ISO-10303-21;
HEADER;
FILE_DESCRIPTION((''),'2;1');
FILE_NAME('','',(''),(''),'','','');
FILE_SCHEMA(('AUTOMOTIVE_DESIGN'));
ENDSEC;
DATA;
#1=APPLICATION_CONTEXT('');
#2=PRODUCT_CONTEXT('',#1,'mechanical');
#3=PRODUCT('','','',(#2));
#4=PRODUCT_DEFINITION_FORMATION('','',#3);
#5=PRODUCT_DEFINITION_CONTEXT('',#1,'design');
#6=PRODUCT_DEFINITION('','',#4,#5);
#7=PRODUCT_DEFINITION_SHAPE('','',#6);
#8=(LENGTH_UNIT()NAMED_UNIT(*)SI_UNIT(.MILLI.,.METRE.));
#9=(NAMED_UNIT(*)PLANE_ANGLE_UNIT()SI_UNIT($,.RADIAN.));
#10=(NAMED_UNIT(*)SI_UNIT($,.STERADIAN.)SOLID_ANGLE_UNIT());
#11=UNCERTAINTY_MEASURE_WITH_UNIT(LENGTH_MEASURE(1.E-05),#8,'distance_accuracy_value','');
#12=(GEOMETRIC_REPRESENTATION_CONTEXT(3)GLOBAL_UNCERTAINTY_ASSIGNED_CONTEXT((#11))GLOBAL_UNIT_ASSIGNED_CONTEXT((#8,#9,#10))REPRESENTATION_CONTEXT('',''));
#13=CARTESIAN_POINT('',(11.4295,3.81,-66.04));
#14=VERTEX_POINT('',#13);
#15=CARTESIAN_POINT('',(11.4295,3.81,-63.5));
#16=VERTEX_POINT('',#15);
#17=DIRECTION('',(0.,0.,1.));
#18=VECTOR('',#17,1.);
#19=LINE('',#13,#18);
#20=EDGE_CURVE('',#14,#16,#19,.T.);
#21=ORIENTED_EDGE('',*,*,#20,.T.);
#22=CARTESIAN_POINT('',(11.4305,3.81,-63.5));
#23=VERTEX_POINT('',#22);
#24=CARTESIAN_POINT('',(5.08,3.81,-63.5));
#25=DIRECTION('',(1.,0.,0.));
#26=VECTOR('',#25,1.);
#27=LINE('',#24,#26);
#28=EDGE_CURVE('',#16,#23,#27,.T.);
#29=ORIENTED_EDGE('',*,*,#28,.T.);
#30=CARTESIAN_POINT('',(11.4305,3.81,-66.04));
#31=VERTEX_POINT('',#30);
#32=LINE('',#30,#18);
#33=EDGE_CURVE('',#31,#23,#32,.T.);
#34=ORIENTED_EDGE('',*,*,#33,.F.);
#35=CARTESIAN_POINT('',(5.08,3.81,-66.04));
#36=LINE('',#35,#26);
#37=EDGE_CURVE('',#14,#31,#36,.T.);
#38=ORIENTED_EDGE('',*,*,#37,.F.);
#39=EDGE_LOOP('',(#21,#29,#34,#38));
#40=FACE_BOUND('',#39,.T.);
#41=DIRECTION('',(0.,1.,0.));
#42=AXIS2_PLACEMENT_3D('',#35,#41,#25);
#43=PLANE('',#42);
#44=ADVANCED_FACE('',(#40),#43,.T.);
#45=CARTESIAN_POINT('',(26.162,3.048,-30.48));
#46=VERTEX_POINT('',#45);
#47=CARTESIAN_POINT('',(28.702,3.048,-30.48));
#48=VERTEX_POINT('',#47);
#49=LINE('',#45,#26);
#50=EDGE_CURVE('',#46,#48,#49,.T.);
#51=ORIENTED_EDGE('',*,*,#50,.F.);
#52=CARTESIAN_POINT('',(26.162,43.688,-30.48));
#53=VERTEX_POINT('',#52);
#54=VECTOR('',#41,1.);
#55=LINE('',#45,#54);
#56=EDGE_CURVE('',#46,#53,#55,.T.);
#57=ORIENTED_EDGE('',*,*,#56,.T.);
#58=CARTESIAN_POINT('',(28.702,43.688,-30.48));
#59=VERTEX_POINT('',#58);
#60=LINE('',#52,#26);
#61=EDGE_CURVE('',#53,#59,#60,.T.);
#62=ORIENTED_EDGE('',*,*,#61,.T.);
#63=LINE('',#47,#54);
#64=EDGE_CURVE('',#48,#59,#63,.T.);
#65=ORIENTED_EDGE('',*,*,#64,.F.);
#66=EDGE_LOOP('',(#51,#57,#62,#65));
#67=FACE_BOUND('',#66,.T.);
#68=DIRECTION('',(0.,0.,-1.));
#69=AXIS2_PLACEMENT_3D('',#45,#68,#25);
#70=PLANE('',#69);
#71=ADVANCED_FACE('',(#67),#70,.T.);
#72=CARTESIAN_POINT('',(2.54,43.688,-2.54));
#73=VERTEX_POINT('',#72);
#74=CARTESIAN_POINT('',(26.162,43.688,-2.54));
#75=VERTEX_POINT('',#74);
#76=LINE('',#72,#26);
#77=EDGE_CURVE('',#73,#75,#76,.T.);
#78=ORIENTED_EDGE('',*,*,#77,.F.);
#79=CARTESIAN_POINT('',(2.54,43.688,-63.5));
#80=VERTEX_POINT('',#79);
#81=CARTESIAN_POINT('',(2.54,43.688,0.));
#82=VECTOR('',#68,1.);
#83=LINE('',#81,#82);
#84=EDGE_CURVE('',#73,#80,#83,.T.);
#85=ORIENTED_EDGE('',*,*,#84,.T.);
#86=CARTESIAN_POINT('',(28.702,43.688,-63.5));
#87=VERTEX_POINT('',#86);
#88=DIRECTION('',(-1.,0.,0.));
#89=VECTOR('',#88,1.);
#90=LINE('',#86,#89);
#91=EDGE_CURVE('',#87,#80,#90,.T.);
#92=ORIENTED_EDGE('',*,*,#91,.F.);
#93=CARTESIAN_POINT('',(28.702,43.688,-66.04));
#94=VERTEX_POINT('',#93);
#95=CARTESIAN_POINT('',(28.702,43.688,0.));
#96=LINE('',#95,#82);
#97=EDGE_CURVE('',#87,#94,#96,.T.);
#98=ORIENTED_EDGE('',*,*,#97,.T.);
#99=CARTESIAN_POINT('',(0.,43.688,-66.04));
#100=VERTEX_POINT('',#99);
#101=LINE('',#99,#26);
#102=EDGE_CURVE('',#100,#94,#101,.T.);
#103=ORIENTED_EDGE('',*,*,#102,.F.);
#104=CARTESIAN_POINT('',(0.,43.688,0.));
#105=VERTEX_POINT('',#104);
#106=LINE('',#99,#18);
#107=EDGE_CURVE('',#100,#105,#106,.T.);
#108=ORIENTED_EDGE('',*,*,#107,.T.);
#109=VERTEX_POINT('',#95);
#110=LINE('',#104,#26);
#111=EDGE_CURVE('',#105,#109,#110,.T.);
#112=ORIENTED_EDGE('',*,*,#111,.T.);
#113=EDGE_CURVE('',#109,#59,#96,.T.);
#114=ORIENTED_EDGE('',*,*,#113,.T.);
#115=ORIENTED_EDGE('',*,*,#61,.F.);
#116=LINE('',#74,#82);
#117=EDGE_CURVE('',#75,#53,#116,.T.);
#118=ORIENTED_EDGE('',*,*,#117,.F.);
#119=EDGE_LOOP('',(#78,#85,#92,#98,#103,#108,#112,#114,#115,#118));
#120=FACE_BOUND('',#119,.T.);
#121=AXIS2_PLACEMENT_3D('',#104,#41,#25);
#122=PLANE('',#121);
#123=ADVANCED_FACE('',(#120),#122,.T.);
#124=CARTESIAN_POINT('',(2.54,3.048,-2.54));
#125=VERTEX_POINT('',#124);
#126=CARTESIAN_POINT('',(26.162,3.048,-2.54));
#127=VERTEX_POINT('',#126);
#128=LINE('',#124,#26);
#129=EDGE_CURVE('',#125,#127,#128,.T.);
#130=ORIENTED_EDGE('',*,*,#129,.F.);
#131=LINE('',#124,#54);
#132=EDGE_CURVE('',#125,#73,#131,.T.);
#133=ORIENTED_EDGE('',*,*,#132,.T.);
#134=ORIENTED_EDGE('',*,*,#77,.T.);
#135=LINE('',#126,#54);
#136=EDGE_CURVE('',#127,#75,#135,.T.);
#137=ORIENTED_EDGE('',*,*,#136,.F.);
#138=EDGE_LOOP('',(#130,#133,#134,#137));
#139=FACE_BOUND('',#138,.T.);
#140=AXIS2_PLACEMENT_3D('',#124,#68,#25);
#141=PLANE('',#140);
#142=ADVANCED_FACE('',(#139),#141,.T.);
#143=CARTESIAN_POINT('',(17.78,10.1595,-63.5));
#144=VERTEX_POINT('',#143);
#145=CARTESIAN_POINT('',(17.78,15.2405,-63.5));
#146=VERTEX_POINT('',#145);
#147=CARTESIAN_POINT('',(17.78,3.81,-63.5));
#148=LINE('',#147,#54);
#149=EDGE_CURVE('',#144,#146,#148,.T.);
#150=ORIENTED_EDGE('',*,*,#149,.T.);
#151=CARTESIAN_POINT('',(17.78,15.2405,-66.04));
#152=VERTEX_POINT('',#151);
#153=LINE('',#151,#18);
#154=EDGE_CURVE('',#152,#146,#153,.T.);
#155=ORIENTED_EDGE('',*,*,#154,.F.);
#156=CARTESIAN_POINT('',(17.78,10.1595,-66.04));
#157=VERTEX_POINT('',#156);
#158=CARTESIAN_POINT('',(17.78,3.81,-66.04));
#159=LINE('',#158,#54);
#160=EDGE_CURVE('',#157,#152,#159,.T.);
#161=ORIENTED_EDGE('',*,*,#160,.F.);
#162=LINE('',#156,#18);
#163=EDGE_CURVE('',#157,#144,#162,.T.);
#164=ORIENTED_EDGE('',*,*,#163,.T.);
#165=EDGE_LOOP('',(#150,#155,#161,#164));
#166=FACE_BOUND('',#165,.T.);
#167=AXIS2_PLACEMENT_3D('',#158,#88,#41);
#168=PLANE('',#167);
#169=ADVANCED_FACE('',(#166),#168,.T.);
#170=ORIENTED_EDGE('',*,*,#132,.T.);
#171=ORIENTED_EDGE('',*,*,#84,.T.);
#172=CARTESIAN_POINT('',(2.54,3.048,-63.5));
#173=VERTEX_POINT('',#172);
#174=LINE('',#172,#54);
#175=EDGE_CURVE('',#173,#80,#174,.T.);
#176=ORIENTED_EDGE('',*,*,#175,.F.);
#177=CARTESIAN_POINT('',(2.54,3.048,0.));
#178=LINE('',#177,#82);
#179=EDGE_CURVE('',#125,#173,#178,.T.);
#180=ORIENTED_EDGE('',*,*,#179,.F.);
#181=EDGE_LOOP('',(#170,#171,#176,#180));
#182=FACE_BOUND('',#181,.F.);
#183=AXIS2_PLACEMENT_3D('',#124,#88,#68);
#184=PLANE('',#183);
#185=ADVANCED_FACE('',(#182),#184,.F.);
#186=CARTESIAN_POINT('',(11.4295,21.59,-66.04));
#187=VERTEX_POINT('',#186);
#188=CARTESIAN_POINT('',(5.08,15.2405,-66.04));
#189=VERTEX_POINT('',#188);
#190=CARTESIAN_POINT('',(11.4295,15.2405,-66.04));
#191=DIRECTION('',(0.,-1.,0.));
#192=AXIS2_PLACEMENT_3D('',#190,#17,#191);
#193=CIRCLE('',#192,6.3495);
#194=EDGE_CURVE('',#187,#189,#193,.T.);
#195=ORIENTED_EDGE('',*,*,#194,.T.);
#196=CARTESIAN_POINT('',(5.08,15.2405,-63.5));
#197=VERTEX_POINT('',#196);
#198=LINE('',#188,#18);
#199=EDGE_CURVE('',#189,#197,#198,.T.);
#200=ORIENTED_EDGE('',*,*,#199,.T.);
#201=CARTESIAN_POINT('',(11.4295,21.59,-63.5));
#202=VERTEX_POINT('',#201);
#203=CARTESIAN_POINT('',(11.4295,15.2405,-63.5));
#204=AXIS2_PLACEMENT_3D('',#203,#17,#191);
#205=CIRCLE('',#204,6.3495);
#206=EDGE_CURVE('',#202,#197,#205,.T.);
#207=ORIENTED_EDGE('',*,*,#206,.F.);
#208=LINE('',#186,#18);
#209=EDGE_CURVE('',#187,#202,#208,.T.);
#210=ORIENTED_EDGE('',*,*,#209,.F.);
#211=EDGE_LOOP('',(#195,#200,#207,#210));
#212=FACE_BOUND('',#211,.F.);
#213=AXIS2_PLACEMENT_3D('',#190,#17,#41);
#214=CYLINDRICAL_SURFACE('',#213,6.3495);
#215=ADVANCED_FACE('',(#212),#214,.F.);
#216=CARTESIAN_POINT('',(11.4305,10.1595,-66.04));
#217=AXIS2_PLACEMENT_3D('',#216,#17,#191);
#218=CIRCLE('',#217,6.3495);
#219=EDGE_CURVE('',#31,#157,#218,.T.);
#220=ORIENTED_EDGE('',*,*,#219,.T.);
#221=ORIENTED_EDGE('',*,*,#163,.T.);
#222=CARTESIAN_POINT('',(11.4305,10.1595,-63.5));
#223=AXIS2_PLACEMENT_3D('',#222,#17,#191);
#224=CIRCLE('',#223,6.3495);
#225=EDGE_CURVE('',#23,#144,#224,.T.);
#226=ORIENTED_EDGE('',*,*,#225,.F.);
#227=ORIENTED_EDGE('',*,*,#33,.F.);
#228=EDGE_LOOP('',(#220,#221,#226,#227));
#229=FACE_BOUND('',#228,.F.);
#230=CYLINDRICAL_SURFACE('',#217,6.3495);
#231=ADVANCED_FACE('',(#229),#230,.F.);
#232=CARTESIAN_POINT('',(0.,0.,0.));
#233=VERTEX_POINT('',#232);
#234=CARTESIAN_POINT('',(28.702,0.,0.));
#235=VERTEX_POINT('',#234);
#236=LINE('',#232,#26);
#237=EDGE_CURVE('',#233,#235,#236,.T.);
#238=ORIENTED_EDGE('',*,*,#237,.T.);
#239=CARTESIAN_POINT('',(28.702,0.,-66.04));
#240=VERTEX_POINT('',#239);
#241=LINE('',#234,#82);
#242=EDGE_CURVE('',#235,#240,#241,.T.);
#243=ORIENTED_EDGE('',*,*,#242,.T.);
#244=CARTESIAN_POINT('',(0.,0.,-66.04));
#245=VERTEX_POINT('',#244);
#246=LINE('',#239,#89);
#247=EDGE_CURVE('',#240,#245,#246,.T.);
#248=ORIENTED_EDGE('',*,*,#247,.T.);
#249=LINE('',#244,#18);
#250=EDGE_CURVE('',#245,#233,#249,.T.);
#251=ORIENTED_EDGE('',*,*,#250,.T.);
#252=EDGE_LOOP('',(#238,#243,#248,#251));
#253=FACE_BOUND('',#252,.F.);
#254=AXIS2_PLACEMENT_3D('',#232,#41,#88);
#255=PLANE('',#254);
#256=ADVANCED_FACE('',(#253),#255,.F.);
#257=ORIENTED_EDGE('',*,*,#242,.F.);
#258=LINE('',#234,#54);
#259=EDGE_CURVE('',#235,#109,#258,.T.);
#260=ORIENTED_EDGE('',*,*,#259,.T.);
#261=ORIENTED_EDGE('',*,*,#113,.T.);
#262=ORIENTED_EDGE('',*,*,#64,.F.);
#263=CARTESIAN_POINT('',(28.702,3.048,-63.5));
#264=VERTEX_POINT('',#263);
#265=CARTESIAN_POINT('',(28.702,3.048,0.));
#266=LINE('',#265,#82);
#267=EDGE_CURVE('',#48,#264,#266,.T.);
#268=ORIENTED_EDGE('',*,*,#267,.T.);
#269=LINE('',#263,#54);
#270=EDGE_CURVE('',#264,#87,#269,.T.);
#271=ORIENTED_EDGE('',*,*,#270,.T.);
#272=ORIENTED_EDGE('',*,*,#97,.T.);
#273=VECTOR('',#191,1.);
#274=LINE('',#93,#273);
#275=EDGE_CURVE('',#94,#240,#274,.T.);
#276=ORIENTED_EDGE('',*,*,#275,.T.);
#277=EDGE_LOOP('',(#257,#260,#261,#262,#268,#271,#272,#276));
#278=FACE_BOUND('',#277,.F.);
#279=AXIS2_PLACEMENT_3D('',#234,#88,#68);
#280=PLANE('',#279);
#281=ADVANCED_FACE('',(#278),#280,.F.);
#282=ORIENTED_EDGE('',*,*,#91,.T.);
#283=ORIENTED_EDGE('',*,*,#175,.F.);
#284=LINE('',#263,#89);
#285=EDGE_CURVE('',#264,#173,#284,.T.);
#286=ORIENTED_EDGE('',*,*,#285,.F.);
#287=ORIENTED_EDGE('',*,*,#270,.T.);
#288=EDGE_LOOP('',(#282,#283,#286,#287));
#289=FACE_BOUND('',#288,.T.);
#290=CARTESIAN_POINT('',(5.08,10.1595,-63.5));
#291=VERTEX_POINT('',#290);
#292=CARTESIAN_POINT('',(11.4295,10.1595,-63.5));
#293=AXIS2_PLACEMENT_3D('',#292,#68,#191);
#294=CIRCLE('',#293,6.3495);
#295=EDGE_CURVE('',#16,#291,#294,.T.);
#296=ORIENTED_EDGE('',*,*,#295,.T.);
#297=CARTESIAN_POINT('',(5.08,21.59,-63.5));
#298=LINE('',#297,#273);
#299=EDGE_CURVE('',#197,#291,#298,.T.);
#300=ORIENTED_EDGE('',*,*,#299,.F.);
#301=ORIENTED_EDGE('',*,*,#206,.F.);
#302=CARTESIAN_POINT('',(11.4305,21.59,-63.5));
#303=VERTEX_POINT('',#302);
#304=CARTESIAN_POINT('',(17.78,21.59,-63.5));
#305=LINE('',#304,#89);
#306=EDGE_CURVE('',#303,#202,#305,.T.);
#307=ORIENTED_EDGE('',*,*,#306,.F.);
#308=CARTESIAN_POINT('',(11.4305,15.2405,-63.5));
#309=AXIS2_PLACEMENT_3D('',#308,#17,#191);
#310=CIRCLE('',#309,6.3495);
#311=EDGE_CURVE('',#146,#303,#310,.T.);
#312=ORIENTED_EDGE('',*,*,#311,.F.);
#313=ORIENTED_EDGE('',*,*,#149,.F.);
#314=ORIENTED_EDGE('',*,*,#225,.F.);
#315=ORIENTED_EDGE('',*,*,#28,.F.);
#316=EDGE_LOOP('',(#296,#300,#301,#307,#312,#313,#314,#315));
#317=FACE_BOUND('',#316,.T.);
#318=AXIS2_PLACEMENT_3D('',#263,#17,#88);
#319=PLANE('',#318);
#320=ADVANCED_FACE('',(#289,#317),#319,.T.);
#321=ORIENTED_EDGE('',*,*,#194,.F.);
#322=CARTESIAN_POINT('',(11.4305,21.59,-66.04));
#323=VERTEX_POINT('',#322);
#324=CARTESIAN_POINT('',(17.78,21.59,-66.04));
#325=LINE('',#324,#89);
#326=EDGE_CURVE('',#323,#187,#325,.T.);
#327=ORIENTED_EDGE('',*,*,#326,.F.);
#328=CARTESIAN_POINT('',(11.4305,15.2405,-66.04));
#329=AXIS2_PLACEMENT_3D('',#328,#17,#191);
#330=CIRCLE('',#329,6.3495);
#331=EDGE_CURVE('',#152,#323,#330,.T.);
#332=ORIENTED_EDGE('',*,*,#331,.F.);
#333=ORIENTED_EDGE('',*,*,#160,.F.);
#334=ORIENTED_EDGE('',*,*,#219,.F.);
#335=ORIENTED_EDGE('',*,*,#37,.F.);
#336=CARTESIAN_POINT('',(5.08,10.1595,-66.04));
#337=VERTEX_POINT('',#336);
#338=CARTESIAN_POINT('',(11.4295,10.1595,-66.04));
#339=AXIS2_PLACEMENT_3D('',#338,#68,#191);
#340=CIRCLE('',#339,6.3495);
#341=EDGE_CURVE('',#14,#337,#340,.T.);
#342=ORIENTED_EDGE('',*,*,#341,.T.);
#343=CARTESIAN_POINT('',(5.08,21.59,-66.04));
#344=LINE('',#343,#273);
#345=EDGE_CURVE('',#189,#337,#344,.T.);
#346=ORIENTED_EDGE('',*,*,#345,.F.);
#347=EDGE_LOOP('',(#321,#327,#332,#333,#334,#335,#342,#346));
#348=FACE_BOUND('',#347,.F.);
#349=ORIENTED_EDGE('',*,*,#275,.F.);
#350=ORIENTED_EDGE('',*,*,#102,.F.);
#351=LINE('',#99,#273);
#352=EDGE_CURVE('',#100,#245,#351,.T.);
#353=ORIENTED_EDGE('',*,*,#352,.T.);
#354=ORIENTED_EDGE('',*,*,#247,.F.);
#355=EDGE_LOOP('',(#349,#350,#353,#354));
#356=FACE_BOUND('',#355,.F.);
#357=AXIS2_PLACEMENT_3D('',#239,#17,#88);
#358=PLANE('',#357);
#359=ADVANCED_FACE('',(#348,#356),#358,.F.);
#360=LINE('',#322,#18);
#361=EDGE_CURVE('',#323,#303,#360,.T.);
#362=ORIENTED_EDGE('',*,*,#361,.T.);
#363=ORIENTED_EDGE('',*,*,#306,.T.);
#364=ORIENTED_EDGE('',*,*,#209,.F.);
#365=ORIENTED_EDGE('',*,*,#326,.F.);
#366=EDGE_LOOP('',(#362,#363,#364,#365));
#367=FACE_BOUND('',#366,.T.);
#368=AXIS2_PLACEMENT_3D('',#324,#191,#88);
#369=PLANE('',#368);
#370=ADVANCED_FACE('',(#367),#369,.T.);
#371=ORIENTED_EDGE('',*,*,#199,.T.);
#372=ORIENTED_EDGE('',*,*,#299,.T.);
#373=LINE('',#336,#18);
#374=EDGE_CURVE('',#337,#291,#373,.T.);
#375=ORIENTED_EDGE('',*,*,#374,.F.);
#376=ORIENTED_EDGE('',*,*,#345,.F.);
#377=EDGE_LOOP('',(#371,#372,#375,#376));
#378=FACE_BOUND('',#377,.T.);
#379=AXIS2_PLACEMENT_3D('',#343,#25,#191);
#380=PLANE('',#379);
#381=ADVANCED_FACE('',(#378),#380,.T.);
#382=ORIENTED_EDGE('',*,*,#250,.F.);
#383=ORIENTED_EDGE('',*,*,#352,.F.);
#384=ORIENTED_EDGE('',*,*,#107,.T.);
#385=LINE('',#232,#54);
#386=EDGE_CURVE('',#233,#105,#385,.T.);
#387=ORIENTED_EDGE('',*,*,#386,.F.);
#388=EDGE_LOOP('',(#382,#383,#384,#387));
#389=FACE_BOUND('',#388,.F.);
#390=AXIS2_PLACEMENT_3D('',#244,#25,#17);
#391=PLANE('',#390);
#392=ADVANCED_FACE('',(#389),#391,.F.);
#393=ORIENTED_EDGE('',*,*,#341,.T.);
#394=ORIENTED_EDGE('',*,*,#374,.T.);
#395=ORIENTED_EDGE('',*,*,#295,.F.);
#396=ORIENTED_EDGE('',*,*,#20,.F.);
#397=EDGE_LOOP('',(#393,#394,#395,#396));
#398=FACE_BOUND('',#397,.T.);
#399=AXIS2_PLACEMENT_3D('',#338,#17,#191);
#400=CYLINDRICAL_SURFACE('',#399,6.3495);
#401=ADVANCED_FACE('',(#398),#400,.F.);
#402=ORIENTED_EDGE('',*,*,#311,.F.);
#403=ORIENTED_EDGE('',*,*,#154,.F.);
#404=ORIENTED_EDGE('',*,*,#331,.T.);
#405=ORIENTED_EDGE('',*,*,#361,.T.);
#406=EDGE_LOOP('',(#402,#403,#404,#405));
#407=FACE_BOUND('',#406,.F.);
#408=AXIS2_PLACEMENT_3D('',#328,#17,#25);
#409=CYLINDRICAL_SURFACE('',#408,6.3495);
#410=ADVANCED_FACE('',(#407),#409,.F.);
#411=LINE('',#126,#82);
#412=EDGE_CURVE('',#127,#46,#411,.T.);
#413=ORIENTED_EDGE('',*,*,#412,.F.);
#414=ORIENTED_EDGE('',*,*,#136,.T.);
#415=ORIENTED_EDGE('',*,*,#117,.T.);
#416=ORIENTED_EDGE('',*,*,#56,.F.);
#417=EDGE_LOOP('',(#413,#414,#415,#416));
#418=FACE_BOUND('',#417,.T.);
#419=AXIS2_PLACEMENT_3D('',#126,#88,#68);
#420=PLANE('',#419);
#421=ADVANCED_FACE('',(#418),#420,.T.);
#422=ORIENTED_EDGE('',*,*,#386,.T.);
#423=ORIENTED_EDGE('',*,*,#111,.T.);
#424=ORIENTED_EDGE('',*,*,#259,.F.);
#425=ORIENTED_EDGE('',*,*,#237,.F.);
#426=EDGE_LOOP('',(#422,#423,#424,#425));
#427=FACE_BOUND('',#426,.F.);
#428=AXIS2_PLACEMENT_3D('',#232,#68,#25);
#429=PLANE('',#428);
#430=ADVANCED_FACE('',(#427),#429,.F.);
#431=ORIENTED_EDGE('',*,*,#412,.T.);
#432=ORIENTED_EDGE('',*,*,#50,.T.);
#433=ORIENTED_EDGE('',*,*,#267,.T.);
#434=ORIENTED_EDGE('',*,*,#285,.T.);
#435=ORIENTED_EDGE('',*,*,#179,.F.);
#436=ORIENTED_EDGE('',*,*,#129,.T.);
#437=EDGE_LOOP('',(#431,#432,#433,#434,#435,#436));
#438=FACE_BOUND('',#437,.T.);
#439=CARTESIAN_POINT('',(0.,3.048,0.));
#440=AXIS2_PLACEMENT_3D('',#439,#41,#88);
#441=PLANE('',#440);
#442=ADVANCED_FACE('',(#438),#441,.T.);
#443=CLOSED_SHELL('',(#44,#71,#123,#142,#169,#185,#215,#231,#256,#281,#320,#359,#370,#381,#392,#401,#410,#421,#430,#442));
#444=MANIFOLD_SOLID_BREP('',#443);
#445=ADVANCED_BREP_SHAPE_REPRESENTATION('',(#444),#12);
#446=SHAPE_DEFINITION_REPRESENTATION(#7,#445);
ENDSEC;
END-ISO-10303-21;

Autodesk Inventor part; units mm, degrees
ref_plane "YZ Plane" through (0, 0, 0) normal (1, 0, 0) x (0, 1, 0)
ref_plane "XZ Plane" through (0, 0, 0) normal (0, 1, 0) x (-1, 0, 0)
ref_plane "XY Plane" through (0, 0, 0) normal (0, 0, 1) x (1, 0, 0)
sketch "Sketch1" plane through (0, 0, 0) normal (0, 1, 0) x (-1, 0, 0)
  line L0 (0, 0) -> (-28.702, 0)
  line L1 (-28.702, 0) -> (-28.702, -66.04)
  line L2 (-28.702, -66.04) -> (0, -66.04)
  line L3 (0, -66.04) -> (0, 0)
  dimension "d0" = 28.702
  dimension "d1" = 66.04
extrude "Extrusion1" add sketch "Sketch1" along normal blind 3.048
sketch "Sketch2" plane through (0, 3.048, 0) normal (0, 1, 0) x (1, 0, 0)
  line L0 (0, 66.04) -> (0, 0) projected
  line L1 (28.702, 66.04) -> (0, 66.04) projected
  line L2 (0, 0) -> (2.54, 0)
  line L3 (2.54, 0) -> (2.54, 66.04)
  line L4 (2.54, 66.04) -> (0, 66.04)
  line L5 (0, 66.04) -> (0, 0)
  line L6 (28.702, 0) -> (28.702, 66.04) projected
  line L7 (28.702, 0) -> (2.54, 0)
  line L8 (2.54, 0) -> (2.54, 2.54)
  line L9 (2.54, 2.54) -> (28.702, 2.54)
  line L10 (28.702, 2.54) -> (28.702, 0)
  line L11 (2.54, 66.04) -> (28.702, 66.04)
  line L12 (28.702, 66.04) -> (28.702, 63.5)
  line L13 (28.702, 63.5) -> (2.54, 63.5)
  line L14 (2.54, 63.5) -> (2.54, 66.04)
  line L15 (28.702, 2.54) -> (26.162, 2.54)
  line L16 (26.162, 2.54) -> (26.162, 30.48)
  line L17 (26.162, 30.48) -> (28.702, 30.48)
  line L18 (28.702, 30.48) -> (28.702, 2.54)
  dimension "d4" = 2.54
  dimension "d5" = 2.54
  dimension "d6" = 2.54
  dimension "d7" = 2.54
  dimension "d8" = 27.94
extrude "Extrusion2" add sketch "Sketch2" along normal blind 40.64 contours L1 L3 L2 L0 | L1 L6 L13 L3 | L3 L9 L6 L7 | L16 L17 L6 L9
sketch "Sketch3" plane through (28.702, 0, -66.04) normal (0, 0, -1) x (-1, 0, 0)
  line L0 (28.702, 0) -> (23.622, 0)
  line L1 (23.622, 0) -> (23.622, 3.81)
  line L2 (23.622, 3.81) -> (28.702, 3.81)
  line L3 (28.702, 3.81) -> (28.702, 0)
  line L4 (23.622, 3.81) -> (10.922, 3.81)
  line L5 (10.922, 3.81) -> (10.922, 21.59)
  line L6 (10.922, 21.59) -> (23.622, 21.59)
  line L7 (23.622, 21.59) -> (23.622, 3.81)
  dimension "d11" = 5.08
  dimension "d12" = 3.81
  dimension "d13" = 12.7
  dimension "d14" = 17.78
extrude "Extrusion3" cut sketch "Sketch3" against normal blind 2.54 contours L4 L5 L6 L7
fillet "Fillet1" radius 6.35 4 edges at (17.78, 21.59, -64.77) (5.08, 21.59, -64.77) (5.08, 3.81, -64.77) (17.78, 3.81, -64.77)
properties part number "GoProCase"
